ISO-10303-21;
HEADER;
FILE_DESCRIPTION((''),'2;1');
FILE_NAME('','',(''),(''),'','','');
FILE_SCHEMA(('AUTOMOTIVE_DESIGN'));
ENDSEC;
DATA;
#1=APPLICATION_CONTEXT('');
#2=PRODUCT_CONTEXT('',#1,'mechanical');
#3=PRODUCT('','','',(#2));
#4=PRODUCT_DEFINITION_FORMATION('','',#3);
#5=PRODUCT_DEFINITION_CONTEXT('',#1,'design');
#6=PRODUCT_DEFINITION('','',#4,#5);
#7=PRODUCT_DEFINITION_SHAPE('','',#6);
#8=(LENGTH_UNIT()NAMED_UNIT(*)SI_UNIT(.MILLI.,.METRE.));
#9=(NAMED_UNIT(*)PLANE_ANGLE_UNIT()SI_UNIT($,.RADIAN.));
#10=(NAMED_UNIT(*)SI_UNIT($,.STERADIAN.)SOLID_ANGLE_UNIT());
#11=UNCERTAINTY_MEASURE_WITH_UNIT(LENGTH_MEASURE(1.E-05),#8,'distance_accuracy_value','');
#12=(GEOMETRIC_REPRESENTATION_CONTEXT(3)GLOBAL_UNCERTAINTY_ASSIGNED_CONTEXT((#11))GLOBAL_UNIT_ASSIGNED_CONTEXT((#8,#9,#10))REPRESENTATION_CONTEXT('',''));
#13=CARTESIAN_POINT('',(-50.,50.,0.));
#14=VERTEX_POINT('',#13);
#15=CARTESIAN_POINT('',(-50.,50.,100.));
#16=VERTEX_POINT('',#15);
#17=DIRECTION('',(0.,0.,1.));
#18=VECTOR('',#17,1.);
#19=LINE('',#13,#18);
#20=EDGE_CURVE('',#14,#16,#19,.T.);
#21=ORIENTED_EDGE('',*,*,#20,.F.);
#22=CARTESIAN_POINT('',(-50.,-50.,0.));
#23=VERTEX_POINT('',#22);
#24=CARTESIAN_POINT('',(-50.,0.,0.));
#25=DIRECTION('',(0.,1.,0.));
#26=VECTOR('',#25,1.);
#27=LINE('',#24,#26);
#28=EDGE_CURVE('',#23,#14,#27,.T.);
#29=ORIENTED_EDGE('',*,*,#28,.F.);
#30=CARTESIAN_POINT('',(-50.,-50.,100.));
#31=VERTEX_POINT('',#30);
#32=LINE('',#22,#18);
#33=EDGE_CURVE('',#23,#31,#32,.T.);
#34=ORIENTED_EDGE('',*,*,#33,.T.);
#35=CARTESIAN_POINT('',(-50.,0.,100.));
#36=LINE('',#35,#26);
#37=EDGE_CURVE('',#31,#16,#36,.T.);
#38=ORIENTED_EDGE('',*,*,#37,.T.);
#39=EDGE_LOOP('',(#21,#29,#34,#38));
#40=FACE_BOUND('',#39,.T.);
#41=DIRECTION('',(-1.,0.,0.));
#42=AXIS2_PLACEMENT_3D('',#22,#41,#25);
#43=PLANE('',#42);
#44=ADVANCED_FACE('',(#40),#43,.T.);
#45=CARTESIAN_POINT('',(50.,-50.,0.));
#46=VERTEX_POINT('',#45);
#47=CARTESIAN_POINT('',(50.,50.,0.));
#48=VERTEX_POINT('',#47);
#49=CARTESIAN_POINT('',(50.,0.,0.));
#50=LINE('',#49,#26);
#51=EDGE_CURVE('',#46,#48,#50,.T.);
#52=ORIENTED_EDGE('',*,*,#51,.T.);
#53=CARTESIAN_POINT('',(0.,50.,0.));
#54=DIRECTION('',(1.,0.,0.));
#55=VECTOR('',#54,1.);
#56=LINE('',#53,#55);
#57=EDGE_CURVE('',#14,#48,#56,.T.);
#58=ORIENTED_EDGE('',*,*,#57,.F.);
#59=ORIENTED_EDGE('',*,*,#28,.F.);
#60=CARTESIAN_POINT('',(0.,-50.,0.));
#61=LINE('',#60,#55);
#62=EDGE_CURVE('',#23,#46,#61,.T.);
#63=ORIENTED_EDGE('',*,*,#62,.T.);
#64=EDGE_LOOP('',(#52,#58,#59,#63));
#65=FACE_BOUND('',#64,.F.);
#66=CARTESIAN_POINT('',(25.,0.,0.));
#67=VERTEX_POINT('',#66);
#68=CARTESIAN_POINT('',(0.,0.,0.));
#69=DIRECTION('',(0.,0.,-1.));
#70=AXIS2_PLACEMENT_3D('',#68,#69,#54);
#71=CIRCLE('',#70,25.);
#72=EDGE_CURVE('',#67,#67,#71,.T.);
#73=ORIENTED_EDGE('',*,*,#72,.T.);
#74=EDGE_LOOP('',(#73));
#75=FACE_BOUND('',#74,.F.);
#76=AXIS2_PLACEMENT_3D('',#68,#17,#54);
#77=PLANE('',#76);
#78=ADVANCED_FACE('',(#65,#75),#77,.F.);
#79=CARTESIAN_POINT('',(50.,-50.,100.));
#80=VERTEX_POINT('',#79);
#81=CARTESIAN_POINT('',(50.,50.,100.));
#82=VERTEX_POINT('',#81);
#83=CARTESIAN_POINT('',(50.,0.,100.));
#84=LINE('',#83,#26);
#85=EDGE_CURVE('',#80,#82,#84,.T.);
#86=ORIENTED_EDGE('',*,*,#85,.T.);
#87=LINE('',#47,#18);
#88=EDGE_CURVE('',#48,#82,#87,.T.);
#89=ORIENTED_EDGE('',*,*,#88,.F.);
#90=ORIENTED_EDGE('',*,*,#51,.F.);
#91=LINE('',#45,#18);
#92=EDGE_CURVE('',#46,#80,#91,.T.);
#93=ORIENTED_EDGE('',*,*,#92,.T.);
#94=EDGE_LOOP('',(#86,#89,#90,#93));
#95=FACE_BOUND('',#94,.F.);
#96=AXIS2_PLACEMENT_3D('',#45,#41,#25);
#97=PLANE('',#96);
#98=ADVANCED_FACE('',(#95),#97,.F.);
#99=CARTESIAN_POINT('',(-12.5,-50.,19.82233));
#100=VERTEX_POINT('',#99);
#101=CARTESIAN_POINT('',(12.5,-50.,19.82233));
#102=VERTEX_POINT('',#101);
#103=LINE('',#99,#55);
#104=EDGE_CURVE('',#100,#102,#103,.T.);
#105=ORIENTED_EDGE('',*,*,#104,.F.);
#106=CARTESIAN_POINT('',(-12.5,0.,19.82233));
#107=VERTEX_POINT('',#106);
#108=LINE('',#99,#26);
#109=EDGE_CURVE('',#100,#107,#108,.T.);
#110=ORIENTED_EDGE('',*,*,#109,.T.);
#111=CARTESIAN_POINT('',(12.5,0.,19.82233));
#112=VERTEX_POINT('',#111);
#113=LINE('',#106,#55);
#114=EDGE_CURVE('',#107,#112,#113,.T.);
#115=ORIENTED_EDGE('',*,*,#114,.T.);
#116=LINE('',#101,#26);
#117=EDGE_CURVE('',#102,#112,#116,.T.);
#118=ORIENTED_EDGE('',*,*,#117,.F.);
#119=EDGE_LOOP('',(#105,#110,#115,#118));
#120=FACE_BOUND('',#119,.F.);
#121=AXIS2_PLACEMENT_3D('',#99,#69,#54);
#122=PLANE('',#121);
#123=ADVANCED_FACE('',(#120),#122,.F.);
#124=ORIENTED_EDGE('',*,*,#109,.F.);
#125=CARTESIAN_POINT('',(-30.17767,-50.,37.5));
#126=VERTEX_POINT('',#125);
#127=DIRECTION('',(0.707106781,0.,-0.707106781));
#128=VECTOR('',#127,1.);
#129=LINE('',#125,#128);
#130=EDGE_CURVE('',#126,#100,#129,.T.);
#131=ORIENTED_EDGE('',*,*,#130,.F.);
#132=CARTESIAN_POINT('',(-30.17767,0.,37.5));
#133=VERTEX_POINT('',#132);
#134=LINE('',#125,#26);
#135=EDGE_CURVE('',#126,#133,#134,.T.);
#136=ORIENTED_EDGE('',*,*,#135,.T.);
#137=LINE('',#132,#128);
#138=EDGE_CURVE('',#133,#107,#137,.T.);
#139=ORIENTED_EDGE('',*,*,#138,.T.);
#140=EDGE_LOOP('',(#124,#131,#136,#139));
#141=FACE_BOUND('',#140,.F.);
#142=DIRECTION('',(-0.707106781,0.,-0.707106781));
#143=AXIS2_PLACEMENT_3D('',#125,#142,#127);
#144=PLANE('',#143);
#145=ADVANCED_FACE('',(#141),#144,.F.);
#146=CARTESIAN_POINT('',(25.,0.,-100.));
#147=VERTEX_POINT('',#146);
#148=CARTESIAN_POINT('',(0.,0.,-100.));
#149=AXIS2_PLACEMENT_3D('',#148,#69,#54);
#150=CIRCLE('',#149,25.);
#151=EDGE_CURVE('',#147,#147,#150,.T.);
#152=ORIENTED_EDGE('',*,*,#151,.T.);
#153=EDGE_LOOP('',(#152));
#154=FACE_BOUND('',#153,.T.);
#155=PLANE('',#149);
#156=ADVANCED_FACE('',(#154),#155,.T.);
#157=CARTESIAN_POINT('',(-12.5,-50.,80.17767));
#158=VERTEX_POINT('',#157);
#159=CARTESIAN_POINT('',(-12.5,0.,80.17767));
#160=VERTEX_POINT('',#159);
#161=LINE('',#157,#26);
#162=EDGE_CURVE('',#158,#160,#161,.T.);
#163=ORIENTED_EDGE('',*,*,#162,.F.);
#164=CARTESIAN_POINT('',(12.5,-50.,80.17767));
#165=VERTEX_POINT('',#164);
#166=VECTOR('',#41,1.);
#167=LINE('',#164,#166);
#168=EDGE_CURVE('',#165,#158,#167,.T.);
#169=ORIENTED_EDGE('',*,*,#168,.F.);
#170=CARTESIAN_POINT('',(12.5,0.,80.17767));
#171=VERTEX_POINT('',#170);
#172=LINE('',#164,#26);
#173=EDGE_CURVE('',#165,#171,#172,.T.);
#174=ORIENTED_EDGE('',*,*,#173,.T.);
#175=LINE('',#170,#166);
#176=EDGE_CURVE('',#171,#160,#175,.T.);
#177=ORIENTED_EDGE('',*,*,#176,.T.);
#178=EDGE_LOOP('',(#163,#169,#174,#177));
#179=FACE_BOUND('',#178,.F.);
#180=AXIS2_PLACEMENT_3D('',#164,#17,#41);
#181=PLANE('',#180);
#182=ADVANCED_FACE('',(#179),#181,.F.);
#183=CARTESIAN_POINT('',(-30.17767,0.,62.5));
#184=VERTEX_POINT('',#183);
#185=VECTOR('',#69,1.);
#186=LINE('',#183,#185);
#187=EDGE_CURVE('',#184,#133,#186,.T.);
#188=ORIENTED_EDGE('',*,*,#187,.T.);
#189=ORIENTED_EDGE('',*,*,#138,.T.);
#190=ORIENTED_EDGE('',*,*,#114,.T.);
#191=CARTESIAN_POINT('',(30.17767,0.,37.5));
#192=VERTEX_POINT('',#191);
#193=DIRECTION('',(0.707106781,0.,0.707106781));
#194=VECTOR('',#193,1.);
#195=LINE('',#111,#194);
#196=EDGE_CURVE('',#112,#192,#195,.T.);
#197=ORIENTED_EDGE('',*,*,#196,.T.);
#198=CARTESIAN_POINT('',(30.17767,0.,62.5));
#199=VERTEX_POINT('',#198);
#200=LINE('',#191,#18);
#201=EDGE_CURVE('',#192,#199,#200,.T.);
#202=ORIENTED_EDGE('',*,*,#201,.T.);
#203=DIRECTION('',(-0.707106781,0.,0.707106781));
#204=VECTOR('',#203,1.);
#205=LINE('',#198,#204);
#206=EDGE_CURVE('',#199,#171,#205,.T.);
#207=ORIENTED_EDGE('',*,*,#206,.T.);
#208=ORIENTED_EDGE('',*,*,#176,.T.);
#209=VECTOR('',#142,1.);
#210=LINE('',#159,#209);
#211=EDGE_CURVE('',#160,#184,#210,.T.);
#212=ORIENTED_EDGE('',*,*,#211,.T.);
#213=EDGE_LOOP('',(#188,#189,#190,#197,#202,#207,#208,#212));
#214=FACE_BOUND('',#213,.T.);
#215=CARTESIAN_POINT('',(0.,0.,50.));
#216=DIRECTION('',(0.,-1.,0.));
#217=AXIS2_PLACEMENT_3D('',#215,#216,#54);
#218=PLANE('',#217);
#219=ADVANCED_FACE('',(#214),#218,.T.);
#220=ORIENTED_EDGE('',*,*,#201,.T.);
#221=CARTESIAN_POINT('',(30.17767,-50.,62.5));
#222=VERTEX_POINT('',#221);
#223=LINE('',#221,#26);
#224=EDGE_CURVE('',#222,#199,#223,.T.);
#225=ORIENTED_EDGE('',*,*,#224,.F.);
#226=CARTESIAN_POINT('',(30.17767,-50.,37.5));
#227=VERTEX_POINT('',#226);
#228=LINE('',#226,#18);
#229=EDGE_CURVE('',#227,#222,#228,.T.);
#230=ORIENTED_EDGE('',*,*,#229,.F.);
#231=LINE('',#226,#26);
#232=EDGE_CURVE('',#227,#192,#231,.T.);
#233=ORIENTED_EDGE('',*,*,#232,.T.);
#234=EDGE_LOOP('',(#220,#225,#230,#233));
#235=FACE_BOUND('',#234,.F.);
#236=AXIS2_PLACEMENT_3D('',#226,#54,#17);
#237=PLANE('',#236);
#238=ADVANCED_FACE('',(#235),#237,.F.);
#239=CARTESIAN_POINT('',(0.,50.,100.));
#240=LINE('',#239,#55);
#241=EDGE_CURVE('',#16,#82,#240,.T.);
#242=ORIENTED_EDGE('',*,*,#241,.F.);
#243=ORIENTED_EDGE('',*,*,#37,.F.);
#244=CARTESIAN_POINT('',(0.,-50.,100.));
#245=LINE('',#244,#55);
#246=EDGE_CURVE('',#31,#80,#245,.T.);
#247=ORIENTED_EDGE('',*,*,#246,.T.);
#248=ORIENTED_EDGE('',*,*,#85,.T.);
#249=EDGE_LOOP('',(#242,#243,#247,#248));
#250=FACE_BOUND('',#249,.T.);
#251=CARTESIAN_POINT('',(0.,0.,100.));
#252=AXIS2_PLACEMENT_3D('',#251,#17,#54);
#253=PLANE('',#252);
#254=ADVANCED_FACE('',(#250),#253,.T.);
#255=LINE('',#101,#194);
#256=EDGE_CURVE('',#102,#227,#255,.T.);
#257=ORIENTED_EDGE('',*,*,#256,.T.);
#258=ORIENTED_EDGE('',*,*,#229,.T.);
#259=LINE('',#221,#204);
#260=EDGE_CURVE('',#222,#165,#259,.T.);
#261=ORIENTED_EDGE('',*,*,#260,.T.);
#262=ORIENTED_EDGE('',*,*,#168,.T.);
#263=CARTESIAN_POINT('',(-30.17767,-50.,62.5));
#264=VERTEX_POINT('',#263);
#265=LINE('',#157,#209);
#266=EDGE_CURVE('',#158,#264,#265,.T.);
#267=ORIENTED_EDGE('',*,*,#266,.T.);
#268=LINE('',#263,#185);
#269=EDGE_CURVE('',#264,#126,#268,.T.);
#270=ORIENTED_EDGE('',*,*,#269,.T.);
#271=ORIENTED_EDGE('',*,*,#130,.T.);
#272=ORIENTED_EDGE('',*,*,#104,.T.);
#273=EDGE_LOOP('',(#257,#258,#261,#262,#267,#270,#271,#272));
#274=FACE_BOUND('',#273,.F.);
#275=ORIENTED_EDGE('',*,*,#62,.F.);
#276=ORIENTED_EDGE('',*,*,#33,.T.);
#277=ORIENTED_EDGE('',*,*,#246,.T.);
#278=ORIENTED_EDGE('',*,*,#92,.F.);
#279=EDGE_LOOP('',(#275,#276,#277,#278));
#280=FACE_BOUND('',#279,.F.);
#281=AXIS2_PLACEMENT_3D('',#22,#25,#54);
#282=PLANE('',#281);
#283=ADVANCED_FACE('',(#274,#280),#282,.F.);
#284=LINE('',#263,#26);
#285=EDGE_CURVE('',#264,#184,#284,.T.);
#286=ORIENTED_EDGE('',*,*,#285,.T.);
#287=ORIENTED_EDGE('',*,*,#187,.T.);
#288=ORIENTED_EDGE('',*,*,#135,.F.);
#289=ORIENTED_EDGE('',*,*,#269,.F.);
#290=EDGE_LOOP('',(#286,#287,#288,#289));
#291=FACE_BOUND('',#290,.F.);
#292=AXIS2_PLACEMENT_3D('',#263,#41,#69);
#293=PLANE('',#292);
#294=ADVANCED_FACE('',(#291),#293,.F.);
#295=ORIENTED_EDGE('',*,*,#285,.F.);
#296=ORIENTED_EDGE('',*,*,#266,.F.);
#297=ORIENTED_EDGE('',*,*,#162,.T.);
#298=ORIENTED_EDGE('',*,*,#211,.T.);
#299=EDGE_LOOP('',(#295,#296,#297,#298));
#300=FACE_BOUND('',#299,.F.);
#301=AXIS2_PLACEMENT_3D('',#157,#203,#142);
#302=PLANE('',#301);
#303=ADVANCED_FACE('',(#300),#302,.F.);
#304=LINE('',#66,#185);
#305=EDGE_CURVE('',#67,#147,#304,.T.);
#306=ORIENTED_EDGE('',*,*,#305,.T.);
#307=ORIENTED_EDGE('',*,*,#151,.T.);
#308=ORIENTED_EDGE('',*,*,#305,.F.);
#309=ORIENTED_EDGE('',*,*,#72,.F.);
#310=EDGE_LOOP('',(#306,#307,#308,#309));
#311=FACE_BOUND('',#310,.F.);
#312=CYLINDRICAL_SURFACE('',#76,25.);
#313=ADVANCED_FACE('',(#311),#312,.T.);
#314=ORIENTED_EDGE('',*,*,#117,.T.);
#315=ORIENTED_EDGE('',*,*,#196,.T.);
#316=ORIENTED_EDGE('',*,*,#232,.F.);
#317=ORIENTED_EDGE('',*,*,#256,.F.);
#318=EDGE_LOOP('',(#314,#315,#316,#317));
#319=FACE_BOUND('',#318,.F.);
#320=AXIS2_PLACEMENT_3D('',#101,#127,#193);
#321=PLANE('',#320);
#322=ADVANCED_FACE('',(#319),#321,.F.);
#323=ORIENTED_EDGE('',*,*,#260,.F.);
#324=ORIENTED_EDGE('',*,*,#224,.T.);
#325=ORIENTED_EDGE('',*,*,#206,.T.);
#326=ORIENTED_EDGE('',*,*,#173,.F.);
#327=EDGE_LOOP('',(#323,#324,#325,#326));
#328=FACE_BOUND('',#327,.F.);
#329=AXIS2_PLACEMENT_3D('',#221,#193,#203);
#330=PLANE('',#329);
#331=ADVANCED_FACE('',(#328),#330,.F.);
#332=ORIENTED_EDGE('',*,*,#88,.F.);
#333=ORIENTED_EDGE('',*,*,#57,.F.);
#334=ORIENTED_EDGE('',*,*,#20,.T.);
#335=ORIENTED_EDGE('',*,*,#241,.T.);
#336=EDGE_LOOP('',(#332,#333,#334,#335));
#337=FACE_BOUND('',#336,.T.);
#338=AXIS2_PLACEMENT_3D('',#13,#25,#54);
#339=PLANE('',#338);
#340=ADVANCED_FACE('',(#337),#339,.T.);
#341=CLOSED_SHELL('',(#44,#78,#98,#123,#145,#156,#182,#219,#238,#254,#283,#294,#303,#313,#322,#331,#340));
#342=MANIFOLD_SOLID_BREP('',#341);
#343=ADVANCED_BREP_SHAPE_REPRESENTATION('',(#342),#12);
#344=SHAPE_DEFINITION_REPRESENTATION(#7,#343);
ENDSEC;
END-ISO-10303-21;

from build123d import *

# Parameters (mm, degrees)
F0_W     = 100
F0_H     = 100
F1_DEPTH = 100
F2_R     = 25
F3_DEPTH = 100
F5_DEPTH = 50


with BuildPart() as f1:
    # F0 (on Top) → F1 (new body)
    with BuildSketch(Plane.XY):
        Rectangle(F0_W, F0_H)
    extrude(amount=F1_DEPTH)

    # F2 (on face) → F3 (join)
    with BuildSketch(Plane(origin=(0, 0, 0), x_dir=(1, 0, 0), z_dir=(0, 0, -1))):
        Circle(F2_R)
    extrude(amount=F3_DEPTH)

    # F4 (on face) → F5 (cut)
    with BuildSketch(Plane.XZ.offset(50)):
        Polygon((12.5, 80.17767), (-12.5, 80.17767), (-30.17767, 62.5), (-30.17767, 37.5), (-12.5, 19.82233), (12.5, 19.82233), (30.17767, 37.5), (30.17767, 62.5), align=None)
    extrude(amount=-F5_DEPTH, mode=Mode.SUBTRACT)


solid = f1.part
